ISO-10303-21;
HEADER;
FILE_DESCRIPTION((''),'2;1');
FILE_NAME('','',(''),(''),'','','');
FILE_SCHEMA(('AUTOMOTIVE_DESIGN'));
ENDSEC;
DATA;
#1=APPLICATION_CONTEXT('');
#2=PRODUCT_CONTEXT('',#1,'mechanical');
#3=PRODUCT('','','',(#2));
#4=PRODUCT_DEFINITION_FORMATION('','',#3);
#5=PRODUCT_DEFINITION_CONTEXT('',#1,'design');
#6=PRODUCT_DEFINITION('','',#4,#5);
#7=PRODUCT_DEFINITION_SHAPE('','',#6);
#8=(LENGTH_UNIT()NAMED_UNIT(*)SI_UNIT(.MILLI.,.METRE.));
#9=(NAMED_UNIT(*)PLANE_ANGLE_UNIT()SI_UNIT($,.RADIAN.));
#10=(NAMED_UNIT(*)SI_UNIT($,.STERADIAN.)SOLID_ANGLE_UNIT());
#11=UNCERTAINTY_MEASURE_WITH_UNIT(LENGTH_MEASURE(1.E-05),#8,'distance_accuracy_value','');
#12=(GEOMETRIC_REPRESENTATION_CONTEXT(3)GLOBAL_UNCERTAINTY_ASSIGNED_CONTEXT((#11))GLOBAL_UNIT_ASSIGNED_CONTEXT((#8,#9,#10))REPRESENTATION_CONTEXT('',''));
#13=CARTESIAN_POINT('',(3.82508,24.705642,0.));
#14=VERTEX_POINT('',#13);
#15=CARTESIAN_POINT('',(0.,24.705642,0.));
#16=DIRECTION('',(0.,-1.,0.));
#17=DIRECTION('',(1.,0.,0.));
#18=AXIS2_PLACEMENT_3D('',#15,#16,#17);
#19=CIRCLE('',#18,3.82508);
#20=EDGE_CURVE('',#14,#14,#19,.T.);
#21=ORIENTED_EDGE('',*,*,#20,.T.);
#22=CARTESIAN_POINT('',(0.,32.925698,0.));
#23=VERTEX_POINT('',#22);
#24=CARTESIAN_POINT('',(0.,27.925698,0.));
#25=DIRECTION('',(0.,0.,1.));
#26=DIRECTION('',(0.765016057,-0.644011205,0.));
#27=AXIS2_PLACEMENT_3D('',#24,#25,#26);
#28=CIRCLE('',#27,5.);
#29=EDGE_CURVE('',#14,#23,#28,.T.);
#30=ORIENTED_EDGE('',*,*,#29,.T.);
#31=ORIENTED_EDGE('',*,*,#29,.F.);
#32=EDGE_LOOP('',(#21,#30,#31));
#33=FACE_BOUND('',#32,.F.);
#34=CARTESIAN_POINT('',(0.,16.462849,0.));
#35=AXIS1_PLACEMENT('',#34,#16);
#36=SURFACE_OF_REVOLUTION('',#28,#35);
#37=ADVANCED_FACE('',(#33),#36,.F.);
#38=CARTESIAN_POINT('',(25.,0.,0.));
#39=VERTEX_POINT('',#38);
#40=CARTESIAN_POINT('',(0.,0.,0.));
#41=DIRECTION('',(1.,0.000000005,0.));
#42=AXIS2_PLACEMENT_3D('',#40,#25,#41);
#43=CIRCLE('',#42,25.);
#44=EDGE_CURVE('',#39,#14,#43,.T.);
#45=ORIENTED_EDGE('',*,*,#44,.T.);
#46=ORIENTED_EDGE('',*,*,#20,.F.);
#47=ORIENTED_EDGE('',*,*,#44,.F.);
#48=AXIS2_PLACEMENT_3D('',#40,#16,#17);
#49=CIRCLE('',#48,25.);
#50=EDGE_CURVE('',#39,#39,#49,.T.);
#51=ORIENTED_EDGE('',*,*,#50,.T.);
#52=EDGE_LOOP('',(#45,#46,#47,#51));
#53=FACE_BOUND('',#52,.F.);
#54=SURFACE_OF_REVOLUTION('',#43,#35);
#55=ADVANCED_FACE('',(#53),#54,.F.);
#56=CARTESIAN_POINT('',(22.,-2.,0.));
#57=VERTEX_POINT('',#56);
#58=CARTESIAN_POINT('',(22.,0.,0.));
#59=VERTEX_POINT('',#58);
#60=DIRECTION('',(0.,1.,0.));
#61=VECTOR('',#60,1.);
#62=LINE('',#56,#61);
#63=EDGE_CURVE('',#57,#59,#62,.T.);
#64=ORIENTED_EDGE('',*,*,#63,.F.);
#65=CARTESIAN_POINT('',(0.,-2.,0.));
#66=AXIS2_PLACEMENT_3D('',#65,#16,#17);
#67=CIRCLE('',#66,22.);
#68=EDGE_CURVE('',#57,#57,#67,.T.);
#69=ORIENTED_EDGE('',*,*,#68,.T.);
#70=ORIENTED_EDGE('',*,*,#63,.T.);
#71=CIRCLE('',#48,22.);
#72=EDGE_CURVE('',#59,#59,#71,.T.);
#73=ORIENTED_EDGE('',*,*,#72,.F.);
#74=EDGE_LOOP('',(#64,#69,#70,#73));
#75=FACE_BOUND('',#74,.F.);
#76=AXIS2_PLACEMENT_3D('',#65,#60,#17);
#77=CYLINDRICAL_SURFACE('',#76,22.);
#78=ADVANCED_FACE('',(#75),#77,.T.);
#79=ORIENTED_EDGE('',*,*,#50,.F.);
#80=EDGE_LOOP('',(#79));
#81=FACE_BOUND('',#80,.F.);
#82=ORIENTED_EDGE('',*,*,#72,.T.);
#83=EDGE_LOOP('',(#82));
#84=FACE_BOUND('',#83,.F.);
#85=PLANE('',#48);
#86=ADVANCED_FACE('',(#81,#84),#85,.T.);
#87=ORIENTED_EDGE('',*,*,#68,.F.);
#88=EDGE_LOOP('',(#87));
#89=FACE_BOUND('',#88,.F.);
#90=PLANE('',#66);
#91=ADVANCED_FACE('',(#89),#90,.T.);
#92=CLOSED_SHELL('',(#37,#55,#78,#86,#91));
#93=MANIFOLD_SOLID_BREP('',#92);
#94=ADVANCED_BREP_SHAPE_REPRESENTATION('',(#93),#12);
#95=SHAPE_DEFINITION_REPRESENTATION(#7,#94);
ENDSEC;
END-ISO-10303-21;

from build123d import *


with BuildPart() as f1:
    # F0 (on Top) → F1 (revolve)
    with BuildSketch(Plane.XY):
        with BuildLine():
            Line((22, 0), (25, 0))
            ThreePointArc((25, 0), (18.981926, 16.269188), (3.82508, 24.705642))
            ThreePointArc((3.82508, 24.705642), (4.533226, 30.035167), (0, 32.925698))
            Line((0, 32.925698), (0, 0))
            Line((0, 0), (0, -2))
            Line((0, -2), (22, -2))
            Line((22, -2), (22, 0))
        make_face()
    revolve(axis=Axis((0, 16.462849, 0), (0, -1, 0)))


solid = f1.part
